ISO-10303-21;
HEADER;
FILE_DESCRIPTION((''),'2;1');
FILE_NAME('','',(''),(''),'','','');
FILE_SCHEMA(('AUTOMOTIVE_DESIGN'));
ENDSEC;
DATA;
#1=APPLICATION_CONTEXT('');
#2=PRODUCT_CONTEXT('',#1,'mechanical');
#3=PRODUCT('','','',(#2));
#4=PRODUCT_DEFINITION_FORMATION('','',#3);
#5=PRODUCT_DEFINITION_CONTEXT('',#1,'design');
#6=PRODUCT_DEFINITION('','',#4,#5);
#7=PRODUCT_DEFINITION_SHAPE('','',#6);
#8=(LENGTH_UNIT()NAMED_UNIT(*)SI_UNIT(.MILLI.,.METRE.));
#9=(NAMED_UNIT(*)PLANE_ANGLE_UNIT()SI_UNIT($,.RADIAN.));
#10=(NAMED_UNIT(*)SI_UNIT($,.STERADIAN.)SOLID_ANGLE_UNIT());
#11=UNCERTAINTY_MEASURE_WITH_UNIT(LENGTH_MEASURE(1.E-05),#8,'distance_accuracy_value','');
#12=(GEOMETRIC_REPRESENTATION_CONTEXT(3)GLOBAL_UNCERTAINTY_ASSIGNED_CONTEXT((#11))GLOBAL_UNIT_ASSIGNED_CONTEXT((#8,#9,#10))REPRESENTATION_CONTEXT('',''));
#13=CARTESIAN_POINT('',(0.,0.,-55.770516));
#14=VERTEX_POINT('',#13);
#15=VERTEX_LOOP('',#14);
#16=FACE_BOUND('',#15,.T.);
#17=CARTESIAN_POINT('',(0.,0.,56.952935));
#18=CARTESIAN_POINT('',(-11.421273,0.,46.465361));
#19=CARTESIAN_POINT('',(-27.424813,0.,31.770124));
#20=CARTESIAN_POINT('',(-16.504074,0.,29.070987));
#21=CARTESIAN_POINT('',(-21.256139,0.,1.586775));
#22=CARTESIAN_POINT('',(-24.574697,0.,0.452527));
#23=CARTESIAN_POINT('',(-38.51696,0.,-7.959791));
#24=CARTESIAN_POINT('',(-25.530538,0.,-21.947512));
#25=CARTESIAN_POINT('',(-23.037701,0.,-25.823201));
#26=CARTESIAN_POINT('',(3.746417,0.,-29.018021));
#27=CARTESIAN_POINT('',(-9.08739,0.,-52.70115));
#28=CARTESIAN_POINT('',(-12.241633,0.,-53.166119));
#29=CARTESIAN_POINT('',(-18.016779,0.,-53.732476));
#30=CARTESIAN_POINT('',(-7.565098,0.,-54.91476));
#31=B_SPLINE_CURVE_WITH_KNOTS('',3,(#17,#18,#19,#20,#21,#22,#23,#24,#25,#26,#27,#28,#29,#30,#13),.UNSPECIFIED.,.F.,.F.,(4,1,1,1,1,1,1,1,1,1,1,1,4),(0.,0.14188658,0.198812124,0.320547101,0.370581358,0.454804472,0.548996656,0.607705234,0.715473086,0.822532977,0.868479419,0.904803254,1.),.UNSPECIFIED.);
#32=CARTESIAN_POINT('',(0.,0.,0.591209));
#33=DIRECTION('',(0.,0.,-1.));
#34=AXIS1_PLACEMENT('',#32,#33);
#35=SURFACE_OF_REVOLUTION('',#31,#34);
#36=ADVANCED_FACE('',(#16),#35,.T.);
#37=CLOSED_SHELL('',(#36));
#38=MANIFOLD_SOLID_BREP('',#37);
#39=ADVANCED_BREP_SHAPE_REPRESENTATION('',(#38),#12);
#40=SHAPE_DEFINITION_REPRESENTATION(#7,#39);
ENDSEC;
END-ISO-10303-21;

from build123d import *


with BuildPart() as f1:
    # F0 (on Front) → F1 (revolve)
    with BuildSketch(Plane.XZ):
        with BuildLine():
            Line((0, -55.7705163956), (0, 56.9529347122))
            add(Edge.make_bspline(
                [(0, 56.9529347122), (-11.4212730185, 46.4653607105), (-27.424812924, 31.7701241308), (-16.5040735708, 29.0709874248), (-21.2561390484, 1.5867752776), (-24.5746970822, 0.4525266621), (-38.5169601994, -7.9597911224), (-25.5305384474, -21.9475119049), (-23.0377009613, -25.8232010632), (3.746416566, -29.0180208964), (-9.0873900614, -52.7011497437), (-12.2416328076, -53.1661187481), (-18.016778874, -53.7324764446), (-7.5650976667, -54.9147601372), (0, -55.7705163956)],
                knots=[0, 0, 0, 0, 0.1418865799, 0.1988121237, 0.3205471008, 0.3705813582, 0.4548044719, 0.5489966559, 0.6077052338, 0.7154730858, 0.8225329775, 0.8684794193, 0.9048032543, 1, 1, 1, 1], degree=3))
        make_face()
    revolve(axis=Axis((0, 0, 0.5912091583), (0, 0, -1)))


solid = f1.part
